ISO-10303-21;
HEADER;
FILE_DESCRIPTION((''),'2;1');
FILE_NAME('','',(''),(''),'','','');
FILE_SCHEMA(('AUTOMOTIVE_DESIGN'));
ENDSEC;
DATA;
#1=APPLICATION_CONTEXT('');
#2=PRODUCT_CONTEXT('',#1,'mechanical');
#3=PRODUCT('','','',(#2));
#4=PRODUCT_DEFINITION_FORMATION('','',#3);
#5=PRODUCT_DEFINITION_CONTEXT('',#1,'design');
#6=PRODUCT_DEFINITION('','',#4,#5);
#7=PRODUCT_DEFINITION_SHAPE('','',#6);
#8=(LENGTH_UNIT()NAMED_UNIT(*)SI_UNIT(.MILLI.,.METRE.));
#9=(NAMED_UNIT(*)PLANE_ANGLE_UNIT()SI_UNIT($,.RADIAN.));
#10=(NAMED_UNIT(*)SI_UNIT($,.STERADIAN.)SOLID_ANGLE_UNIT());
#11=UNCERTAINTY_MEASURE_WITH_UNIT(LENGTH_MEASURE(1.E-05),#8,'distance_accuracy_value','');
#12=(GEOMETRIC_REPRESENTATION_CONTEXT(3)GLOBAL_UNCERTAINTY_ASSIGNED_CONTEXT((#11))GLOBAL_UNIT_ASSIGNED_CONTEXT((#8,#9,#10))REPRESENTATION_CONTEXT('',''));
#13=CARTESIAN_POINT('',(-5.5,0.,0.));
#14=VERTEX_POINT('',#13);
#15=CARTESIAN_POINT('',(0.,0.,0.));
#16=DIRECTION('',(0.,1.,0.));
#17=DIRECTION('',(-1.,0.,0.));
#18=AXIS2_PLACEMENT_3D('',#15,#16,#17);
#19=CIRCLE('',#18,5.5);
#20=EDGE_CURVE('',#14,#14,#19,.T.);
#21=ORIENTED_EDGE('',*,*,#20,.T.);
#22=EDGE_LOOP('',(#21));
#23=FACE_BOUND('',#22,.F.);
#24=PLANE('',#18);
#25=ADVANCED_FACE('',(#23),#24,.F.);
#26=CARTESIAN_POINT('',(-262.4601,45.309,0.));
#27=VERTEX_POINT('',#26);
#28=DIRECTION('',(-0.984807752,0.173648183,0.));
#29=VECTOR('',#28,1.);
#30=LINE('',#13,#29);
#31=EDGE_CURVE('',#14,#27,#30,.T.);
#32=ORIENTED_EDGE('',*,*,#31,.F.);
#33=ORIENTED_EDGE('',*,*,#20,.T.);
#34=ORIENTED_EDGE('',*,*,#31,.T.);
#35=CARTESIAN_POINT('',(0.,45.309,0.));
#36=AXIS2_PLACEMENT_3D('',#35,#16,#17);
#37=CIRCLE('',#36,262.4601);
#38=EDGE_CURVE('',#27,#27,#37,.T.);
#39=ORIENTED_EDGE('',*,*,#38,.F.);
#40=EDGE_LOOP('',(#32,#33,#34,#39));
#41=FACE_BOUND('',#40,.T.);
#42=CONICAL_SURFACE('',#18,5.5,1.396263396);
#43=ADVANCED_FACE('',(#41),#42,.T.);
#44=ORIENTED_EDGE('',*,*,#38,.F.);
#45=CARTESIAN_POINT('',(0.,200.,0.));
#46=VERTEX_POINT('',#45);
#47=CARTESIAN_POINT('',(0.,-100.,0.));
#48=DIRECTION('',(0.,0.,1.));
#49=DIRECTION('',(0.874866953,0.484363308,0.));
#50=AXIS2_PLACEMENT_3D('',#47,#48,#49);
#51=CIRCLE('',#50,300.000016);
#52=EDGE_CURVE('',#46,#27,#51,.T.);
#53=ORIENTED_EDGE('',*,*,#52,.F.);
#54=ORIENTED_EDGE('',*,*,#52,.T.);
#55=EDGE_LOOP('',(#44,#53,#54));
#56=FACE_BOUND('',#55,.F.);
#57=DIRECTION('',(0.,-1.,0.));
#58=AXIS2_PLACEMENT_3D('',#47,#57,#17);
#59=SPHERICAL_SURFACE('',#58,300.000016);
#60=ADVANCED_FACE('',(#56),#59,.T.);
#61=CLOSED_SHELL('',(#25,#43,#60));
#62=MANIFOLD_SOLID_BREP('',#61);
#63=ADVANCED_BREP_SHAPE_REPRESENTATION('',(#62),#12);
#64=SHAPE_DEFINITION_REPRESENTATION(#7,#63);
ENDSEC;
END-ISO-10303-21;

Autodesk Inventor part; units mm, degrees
ref_plane "YZ Plane" through (0, 0, 0) normal (1, 0, 0) x (0, 1, 0)
ref_plane "XZ Plane" through (0, 0, 0) normal (0, 1, 0) x (-1, 0, 0)
ref_plane "XY Plane" through (0, 0, 0) normal (0, 0, 1) x (1, 0, 0)
sketch "Sketch1" plane through (0, 0, 0) normal (0, 0, 1) x (1, 0, 0)
  line L0 (-5.5, 0) -> (5.5, 0)
  line L1 (5.5, 0) -> (262.4601, 45.309)
  line L2 (0, 0) -> (0, 200) construction
  line L3 (-5.5, 0) -> (-262.4601, 45.309)
  arc A0 (262.4601, 45.309) -> (-262.4601, 45.309) centre (0, -100) ccw
  line L4 (0, 0) -> (0, 200)
  dimension "d0" = 80
  dimension "d1" = 11
  dimension "d2" = 200
  dimension "d3" = 600
revolve "Revolution1" add sketch "Sketch1" angle 360 about axis through (0, 0, 0) along (0, 1, 0) contours L3 A0 L4 L0
properties part number "lens_FoV"
